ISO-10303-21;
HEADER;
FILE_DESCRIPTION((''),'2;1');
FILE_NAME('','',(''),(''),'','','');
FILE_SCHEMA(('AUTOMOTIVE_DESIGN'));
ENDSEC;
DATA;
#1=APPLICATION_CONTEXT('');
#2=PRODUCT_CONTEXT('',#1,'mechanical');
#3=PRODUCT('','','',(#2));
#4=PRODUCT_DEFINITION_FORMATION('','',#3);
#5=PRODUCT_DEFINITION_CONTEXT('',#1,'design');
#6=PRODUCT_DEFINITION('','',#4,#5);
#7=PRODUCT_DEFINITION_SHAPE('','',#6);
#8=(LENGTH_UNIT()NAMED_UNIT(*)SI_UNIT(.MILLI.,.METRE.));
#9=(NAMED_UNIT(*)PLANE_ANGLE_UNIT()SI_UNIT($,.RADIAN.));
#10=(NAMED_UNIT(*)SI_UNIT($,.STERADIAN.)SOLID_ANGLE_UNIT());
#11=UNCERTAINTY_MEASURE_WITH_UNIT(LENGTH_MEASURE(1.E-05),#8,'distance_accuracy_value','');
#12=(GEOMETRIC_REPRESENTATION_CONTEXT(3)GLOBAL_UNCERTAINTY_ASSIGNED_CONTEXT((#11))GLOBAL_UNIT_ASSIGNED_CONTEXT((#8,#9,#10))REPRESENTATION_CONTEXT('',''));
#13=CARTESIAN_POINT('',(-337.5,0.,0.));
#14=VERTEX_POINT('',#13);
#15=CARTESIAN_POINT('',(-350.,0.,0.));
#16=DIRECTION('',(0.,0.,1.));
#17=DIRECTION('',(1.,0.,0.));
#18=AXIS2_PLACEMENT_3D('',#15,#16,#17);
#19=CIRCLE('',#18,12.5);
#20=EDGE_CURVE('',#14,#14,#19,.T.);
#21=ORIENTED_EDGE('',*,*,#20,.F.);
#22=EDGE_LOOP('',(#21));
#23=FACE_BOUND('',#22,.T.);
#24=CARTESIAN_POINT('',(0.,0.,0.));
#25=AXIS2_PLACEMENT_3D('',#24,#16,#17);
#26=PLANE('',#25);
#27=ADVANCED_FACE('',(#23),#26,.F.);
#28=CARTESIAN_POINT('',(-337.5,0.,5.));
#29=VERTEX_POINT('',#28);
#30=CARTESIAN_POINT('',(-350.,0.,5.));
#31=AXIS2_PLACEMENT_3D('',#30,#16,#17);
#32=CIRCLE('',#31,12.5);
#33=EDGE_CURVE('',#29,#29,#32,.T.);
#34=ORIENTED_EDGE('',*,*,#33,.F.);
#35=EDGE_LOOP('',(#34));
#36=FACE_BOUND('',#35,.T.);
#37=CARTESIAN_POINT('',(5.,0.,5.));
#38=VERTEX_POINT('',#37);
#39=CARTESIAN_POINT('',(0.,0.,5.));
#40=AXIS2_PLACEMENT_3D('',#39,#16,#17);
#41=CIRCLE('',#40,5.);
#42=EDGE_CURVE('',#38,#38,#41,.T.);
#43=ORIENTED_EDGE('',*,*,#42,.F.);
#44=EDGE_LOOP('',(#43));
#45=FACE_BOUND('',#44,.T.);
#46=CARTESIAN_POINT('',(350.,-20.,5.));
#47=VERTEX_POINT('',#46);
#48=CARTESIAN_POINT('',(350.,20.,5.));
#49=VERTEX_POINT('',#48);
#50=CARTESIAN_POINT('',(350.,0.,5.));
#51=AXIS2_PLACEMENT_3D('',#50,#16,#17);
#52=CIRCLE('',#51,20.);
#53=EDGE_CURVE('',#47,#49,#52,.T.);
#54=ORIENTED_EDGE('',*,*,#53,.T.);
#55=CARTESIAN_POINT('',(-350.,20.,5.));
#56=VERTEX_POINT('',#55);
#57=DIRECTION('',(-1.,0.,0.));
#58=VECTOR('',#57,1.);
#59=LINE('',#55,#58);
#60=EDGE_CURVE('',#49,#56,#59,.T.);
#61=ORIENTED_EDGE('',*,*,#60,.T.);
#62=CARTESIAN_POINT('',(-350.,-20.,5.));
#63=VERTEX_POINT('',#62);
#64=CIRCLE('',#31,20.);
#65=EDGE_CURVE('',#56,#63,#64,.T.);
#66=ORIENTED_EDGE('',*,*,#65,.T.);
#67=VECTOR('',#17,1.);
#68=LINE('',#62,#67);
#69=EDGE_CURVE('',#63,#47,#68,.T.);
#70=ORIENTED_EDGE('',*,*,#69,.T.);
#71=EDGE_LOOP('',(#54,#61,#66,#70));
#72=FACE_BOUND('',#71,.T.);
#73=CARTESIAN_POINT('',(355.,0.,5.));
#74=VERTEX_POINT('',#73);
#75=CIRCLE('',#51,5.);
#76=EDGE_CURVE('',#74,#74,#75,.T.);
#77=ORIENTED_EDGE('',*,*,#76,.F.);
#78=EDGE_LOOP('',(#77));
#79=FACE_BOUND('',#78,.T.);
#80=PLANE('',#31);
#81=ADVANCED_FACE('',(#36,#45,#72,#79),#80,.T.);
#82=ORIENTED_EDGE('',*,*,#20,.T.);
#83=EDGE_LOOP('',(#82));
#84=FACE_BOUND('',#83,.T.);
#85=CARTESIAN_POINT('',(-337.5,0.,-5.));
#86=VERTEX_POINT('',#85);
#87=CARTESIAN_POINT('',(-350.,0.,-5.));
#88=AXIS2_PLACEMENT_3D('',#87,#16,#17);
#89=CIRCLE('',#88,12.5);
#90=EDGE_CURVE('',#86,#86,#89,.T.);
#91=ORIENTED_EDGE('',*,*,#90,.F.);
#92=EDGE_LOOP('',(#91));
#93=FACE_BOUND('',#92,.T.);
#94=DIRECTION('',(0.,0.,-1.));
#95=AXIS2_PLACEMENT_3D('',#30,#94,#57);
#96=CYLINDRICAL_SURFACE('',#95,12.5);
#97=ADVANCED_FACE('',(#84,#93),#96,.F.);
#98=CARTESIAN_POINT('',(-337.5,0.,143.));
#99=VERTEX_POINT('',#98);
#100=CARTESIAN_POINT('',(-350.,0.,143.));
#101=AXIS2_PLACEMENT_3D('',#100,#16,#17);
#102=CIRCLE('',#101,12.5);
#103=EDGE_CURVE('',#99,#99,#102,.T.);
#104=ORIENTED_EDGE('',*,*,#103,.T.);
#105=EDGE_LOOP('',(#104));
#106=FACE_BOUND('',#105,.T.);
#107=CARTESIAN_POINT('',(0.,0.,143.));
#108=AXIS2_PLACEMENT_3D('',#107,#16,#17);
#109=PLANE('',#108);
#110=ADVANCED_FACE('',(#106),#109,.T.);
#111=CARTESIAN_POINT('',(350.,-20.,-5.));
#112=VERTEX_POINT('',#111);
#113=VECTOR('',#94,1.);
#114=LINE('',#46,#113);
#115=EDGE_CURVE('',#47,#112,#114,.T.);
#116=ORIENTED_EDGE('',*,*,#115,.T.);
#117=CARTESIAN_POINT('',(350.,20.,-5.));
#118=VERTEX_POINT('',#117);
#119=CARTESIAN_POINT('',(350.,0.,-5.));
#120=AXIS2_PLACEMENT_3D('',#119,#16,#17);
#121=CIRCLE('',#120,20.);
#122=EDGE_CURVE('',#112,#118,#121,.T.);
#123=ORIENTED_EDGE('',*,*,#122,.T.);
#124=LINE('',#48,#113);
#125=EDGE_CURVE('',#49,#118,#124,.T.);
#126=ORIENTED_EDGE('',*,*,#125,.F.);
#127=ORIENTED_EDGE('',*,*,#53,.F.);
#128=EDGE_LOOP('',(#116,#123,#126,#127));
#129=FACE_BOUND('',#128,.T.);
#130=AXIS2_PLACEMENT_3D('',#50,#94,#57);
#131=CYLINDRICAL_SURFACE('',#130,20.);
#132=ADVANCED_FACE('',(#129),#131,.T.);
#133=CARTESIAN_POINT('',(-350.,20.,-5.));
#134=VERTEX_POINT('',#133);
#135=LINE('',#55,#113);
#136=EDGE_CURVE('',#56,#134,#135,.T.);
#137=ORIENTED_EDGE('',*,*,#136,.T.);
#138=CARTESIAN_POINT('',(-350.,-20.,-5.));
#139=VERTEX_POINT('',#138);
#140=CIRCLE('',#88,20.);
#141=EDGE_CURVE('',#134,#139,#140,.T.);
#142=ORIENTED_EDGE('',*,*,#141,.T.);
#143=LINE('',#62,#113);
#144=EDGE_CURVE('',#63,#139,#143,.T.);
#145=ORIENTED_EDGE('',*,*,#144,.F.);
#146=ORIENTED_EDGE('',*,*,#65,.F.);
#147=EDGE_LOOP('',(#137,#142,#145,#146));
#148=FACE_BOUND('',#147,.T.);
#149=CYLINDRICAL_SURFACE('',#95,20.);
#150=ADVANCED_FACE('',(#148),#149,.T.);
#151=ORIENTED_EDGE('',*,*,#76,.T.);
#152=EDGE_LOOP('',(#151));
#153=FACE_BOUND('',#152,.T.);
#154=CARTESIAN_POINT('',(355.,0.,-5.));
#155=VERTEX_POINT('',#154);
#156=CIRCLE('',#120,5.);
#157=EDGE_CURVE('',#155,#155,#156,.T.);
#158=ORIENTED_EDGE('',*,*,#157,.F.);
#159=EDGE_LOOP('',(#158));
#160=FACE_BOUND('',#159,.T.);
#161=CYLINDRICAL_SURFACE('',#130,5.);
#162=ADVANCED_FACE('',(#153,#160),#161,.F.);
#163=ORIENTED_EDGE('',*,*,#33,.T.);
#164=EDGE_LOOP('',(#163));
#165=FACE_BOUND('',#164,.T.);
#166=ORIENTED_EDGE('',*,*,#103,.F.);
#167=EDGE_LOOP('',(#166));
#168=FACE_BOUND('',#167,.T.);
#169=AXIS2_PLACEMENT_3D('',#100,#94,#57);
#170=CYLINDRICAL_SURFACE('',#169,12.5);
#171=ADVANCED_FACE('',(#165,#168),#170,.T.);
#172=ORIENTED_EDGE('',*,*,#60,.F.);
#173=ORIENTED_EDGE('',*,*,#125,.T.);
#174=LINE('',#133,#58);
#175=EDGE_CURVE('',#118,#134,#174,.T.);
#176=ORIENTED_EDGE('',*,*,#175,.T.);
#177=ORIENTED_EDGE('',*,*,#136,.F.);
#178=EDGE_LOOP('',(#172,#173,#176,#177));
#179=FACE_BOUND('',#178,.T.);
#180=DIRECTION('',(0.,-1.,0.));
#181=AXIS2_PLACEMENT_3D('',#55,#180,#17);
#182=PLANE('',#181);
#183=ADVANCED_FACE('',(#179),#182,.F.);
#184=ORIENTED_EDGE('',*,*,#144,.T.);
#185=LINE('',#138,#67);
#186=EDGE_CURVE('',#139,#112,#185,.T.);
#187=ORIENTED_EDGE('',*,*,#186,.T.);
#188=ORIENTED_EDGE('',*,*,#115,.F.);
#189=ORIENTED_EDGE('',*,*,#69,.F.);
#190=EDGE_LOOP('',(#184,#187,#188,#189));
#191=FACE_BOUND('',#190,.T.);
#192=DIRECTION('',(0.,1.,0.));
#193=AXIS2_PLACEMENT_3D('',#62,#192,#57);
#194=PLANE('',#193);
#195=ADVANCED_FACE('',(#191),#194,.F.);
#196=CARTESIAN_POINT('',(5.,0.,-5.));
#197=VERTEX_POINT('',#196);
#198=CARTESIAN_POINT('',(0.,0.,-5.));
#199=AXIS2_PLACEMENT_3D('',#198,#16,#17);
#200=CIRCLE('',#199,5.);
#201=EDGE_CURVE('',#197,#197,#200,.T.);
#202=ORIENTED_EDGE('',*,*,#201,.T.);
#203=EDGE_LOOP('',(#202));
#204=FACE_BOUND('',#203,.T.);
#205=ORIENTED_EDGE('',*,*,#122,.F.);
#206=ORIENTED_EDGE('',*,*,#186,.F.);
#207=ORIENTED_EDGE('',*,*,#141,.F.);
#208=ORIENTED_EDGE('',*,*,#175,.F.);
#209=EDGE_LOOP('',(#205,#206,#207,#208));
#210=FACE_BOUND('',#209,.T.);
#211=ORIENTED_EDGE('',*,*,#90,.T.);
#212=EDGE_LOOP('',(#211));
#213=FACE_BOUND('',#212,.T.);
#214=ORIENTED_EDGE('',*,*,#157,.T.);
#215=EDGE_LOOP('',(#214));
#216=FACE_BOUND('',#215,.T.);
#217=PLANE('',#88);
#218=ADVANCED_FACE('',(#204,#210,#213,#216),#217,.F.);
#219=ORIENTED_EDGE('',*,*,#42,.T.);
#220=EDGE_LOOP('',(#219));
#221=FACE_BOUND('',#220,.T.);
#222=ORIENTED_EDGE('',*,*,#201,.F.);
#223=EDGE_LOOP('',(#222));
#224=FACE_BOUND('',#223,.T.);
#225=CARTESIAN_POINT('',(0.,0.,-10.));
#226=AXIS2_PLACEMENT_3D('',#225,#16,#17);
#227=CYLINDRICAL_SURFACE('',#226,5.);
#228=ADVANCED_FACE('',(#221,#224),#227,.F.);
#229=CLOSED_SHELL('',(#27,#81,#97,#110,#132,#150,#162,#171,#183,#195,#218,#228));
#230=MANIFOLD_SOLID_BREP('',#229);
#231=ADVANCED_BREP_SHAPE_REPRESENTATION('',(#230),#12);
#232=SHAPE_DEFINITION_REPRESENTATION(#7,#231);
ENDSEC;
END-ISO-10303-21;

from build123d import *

# Parameters (mm, degrees)
IZIM1_R                     = 5
IZIM1_R_2                   = 12.5
Y_KSEKLIK_EKSTR_ZYON1_DEPTH = 5
IZIM2_R                     = 5
KES_EKSTR_ZYON1_DEPTH       = 15
IZIM1_3_R                   = 12.5
Y_KSEKLIK_EKSTR_ZYON2_DEPTH = 143


with BuildPart() as part:
    # Çizim1 → Yükseklik-Ekstrüzyon1 (new, symmetric)
    with BuildSketch(Plane.XY):
        with BuildLine():
            Line((-350, 20), (350, 20))
            ThreePointArc((350, 20), (370, 0), (350, -20))
            Line((350, -20), (-350, -20))
            ThreePointArc((-350, -20), (-370, 0), (-350, 20))
        make_face()
        with Locations((350, 0)):
            Circle(IZIM1_R, mode=Mode.SUBTRACT)
        with Locations((-350, 0)):
            Circle(IZIM1_R_2, mode=Mode.SUBTRACT)
    extrude(amount=Y_KSEKLIK_EKSTR_ZYON1_DEPTH, both=True)

    # Çizim2 → Kes-Ekstrüzyon1 (cut)
    with BuildSketch(Plane.XY.offset(5)):
        Circle(IZIM2_R)
    extrude(amount=-KES_EKSTR_ZYON1_DEPTH, mode=Mode.SUBTRACT)

    # Çizim1<3> → Yükseklik-Ekstrüzyon2 (add)
    with BuildSketch(Plane.XY):
        with Locations((-350, 0)):
            Circle(IZIM1_3_R)
    extrude(amount=Y_KSEKLIK_EKSTR_ZYON2_DEPTH)


solid = part.part
